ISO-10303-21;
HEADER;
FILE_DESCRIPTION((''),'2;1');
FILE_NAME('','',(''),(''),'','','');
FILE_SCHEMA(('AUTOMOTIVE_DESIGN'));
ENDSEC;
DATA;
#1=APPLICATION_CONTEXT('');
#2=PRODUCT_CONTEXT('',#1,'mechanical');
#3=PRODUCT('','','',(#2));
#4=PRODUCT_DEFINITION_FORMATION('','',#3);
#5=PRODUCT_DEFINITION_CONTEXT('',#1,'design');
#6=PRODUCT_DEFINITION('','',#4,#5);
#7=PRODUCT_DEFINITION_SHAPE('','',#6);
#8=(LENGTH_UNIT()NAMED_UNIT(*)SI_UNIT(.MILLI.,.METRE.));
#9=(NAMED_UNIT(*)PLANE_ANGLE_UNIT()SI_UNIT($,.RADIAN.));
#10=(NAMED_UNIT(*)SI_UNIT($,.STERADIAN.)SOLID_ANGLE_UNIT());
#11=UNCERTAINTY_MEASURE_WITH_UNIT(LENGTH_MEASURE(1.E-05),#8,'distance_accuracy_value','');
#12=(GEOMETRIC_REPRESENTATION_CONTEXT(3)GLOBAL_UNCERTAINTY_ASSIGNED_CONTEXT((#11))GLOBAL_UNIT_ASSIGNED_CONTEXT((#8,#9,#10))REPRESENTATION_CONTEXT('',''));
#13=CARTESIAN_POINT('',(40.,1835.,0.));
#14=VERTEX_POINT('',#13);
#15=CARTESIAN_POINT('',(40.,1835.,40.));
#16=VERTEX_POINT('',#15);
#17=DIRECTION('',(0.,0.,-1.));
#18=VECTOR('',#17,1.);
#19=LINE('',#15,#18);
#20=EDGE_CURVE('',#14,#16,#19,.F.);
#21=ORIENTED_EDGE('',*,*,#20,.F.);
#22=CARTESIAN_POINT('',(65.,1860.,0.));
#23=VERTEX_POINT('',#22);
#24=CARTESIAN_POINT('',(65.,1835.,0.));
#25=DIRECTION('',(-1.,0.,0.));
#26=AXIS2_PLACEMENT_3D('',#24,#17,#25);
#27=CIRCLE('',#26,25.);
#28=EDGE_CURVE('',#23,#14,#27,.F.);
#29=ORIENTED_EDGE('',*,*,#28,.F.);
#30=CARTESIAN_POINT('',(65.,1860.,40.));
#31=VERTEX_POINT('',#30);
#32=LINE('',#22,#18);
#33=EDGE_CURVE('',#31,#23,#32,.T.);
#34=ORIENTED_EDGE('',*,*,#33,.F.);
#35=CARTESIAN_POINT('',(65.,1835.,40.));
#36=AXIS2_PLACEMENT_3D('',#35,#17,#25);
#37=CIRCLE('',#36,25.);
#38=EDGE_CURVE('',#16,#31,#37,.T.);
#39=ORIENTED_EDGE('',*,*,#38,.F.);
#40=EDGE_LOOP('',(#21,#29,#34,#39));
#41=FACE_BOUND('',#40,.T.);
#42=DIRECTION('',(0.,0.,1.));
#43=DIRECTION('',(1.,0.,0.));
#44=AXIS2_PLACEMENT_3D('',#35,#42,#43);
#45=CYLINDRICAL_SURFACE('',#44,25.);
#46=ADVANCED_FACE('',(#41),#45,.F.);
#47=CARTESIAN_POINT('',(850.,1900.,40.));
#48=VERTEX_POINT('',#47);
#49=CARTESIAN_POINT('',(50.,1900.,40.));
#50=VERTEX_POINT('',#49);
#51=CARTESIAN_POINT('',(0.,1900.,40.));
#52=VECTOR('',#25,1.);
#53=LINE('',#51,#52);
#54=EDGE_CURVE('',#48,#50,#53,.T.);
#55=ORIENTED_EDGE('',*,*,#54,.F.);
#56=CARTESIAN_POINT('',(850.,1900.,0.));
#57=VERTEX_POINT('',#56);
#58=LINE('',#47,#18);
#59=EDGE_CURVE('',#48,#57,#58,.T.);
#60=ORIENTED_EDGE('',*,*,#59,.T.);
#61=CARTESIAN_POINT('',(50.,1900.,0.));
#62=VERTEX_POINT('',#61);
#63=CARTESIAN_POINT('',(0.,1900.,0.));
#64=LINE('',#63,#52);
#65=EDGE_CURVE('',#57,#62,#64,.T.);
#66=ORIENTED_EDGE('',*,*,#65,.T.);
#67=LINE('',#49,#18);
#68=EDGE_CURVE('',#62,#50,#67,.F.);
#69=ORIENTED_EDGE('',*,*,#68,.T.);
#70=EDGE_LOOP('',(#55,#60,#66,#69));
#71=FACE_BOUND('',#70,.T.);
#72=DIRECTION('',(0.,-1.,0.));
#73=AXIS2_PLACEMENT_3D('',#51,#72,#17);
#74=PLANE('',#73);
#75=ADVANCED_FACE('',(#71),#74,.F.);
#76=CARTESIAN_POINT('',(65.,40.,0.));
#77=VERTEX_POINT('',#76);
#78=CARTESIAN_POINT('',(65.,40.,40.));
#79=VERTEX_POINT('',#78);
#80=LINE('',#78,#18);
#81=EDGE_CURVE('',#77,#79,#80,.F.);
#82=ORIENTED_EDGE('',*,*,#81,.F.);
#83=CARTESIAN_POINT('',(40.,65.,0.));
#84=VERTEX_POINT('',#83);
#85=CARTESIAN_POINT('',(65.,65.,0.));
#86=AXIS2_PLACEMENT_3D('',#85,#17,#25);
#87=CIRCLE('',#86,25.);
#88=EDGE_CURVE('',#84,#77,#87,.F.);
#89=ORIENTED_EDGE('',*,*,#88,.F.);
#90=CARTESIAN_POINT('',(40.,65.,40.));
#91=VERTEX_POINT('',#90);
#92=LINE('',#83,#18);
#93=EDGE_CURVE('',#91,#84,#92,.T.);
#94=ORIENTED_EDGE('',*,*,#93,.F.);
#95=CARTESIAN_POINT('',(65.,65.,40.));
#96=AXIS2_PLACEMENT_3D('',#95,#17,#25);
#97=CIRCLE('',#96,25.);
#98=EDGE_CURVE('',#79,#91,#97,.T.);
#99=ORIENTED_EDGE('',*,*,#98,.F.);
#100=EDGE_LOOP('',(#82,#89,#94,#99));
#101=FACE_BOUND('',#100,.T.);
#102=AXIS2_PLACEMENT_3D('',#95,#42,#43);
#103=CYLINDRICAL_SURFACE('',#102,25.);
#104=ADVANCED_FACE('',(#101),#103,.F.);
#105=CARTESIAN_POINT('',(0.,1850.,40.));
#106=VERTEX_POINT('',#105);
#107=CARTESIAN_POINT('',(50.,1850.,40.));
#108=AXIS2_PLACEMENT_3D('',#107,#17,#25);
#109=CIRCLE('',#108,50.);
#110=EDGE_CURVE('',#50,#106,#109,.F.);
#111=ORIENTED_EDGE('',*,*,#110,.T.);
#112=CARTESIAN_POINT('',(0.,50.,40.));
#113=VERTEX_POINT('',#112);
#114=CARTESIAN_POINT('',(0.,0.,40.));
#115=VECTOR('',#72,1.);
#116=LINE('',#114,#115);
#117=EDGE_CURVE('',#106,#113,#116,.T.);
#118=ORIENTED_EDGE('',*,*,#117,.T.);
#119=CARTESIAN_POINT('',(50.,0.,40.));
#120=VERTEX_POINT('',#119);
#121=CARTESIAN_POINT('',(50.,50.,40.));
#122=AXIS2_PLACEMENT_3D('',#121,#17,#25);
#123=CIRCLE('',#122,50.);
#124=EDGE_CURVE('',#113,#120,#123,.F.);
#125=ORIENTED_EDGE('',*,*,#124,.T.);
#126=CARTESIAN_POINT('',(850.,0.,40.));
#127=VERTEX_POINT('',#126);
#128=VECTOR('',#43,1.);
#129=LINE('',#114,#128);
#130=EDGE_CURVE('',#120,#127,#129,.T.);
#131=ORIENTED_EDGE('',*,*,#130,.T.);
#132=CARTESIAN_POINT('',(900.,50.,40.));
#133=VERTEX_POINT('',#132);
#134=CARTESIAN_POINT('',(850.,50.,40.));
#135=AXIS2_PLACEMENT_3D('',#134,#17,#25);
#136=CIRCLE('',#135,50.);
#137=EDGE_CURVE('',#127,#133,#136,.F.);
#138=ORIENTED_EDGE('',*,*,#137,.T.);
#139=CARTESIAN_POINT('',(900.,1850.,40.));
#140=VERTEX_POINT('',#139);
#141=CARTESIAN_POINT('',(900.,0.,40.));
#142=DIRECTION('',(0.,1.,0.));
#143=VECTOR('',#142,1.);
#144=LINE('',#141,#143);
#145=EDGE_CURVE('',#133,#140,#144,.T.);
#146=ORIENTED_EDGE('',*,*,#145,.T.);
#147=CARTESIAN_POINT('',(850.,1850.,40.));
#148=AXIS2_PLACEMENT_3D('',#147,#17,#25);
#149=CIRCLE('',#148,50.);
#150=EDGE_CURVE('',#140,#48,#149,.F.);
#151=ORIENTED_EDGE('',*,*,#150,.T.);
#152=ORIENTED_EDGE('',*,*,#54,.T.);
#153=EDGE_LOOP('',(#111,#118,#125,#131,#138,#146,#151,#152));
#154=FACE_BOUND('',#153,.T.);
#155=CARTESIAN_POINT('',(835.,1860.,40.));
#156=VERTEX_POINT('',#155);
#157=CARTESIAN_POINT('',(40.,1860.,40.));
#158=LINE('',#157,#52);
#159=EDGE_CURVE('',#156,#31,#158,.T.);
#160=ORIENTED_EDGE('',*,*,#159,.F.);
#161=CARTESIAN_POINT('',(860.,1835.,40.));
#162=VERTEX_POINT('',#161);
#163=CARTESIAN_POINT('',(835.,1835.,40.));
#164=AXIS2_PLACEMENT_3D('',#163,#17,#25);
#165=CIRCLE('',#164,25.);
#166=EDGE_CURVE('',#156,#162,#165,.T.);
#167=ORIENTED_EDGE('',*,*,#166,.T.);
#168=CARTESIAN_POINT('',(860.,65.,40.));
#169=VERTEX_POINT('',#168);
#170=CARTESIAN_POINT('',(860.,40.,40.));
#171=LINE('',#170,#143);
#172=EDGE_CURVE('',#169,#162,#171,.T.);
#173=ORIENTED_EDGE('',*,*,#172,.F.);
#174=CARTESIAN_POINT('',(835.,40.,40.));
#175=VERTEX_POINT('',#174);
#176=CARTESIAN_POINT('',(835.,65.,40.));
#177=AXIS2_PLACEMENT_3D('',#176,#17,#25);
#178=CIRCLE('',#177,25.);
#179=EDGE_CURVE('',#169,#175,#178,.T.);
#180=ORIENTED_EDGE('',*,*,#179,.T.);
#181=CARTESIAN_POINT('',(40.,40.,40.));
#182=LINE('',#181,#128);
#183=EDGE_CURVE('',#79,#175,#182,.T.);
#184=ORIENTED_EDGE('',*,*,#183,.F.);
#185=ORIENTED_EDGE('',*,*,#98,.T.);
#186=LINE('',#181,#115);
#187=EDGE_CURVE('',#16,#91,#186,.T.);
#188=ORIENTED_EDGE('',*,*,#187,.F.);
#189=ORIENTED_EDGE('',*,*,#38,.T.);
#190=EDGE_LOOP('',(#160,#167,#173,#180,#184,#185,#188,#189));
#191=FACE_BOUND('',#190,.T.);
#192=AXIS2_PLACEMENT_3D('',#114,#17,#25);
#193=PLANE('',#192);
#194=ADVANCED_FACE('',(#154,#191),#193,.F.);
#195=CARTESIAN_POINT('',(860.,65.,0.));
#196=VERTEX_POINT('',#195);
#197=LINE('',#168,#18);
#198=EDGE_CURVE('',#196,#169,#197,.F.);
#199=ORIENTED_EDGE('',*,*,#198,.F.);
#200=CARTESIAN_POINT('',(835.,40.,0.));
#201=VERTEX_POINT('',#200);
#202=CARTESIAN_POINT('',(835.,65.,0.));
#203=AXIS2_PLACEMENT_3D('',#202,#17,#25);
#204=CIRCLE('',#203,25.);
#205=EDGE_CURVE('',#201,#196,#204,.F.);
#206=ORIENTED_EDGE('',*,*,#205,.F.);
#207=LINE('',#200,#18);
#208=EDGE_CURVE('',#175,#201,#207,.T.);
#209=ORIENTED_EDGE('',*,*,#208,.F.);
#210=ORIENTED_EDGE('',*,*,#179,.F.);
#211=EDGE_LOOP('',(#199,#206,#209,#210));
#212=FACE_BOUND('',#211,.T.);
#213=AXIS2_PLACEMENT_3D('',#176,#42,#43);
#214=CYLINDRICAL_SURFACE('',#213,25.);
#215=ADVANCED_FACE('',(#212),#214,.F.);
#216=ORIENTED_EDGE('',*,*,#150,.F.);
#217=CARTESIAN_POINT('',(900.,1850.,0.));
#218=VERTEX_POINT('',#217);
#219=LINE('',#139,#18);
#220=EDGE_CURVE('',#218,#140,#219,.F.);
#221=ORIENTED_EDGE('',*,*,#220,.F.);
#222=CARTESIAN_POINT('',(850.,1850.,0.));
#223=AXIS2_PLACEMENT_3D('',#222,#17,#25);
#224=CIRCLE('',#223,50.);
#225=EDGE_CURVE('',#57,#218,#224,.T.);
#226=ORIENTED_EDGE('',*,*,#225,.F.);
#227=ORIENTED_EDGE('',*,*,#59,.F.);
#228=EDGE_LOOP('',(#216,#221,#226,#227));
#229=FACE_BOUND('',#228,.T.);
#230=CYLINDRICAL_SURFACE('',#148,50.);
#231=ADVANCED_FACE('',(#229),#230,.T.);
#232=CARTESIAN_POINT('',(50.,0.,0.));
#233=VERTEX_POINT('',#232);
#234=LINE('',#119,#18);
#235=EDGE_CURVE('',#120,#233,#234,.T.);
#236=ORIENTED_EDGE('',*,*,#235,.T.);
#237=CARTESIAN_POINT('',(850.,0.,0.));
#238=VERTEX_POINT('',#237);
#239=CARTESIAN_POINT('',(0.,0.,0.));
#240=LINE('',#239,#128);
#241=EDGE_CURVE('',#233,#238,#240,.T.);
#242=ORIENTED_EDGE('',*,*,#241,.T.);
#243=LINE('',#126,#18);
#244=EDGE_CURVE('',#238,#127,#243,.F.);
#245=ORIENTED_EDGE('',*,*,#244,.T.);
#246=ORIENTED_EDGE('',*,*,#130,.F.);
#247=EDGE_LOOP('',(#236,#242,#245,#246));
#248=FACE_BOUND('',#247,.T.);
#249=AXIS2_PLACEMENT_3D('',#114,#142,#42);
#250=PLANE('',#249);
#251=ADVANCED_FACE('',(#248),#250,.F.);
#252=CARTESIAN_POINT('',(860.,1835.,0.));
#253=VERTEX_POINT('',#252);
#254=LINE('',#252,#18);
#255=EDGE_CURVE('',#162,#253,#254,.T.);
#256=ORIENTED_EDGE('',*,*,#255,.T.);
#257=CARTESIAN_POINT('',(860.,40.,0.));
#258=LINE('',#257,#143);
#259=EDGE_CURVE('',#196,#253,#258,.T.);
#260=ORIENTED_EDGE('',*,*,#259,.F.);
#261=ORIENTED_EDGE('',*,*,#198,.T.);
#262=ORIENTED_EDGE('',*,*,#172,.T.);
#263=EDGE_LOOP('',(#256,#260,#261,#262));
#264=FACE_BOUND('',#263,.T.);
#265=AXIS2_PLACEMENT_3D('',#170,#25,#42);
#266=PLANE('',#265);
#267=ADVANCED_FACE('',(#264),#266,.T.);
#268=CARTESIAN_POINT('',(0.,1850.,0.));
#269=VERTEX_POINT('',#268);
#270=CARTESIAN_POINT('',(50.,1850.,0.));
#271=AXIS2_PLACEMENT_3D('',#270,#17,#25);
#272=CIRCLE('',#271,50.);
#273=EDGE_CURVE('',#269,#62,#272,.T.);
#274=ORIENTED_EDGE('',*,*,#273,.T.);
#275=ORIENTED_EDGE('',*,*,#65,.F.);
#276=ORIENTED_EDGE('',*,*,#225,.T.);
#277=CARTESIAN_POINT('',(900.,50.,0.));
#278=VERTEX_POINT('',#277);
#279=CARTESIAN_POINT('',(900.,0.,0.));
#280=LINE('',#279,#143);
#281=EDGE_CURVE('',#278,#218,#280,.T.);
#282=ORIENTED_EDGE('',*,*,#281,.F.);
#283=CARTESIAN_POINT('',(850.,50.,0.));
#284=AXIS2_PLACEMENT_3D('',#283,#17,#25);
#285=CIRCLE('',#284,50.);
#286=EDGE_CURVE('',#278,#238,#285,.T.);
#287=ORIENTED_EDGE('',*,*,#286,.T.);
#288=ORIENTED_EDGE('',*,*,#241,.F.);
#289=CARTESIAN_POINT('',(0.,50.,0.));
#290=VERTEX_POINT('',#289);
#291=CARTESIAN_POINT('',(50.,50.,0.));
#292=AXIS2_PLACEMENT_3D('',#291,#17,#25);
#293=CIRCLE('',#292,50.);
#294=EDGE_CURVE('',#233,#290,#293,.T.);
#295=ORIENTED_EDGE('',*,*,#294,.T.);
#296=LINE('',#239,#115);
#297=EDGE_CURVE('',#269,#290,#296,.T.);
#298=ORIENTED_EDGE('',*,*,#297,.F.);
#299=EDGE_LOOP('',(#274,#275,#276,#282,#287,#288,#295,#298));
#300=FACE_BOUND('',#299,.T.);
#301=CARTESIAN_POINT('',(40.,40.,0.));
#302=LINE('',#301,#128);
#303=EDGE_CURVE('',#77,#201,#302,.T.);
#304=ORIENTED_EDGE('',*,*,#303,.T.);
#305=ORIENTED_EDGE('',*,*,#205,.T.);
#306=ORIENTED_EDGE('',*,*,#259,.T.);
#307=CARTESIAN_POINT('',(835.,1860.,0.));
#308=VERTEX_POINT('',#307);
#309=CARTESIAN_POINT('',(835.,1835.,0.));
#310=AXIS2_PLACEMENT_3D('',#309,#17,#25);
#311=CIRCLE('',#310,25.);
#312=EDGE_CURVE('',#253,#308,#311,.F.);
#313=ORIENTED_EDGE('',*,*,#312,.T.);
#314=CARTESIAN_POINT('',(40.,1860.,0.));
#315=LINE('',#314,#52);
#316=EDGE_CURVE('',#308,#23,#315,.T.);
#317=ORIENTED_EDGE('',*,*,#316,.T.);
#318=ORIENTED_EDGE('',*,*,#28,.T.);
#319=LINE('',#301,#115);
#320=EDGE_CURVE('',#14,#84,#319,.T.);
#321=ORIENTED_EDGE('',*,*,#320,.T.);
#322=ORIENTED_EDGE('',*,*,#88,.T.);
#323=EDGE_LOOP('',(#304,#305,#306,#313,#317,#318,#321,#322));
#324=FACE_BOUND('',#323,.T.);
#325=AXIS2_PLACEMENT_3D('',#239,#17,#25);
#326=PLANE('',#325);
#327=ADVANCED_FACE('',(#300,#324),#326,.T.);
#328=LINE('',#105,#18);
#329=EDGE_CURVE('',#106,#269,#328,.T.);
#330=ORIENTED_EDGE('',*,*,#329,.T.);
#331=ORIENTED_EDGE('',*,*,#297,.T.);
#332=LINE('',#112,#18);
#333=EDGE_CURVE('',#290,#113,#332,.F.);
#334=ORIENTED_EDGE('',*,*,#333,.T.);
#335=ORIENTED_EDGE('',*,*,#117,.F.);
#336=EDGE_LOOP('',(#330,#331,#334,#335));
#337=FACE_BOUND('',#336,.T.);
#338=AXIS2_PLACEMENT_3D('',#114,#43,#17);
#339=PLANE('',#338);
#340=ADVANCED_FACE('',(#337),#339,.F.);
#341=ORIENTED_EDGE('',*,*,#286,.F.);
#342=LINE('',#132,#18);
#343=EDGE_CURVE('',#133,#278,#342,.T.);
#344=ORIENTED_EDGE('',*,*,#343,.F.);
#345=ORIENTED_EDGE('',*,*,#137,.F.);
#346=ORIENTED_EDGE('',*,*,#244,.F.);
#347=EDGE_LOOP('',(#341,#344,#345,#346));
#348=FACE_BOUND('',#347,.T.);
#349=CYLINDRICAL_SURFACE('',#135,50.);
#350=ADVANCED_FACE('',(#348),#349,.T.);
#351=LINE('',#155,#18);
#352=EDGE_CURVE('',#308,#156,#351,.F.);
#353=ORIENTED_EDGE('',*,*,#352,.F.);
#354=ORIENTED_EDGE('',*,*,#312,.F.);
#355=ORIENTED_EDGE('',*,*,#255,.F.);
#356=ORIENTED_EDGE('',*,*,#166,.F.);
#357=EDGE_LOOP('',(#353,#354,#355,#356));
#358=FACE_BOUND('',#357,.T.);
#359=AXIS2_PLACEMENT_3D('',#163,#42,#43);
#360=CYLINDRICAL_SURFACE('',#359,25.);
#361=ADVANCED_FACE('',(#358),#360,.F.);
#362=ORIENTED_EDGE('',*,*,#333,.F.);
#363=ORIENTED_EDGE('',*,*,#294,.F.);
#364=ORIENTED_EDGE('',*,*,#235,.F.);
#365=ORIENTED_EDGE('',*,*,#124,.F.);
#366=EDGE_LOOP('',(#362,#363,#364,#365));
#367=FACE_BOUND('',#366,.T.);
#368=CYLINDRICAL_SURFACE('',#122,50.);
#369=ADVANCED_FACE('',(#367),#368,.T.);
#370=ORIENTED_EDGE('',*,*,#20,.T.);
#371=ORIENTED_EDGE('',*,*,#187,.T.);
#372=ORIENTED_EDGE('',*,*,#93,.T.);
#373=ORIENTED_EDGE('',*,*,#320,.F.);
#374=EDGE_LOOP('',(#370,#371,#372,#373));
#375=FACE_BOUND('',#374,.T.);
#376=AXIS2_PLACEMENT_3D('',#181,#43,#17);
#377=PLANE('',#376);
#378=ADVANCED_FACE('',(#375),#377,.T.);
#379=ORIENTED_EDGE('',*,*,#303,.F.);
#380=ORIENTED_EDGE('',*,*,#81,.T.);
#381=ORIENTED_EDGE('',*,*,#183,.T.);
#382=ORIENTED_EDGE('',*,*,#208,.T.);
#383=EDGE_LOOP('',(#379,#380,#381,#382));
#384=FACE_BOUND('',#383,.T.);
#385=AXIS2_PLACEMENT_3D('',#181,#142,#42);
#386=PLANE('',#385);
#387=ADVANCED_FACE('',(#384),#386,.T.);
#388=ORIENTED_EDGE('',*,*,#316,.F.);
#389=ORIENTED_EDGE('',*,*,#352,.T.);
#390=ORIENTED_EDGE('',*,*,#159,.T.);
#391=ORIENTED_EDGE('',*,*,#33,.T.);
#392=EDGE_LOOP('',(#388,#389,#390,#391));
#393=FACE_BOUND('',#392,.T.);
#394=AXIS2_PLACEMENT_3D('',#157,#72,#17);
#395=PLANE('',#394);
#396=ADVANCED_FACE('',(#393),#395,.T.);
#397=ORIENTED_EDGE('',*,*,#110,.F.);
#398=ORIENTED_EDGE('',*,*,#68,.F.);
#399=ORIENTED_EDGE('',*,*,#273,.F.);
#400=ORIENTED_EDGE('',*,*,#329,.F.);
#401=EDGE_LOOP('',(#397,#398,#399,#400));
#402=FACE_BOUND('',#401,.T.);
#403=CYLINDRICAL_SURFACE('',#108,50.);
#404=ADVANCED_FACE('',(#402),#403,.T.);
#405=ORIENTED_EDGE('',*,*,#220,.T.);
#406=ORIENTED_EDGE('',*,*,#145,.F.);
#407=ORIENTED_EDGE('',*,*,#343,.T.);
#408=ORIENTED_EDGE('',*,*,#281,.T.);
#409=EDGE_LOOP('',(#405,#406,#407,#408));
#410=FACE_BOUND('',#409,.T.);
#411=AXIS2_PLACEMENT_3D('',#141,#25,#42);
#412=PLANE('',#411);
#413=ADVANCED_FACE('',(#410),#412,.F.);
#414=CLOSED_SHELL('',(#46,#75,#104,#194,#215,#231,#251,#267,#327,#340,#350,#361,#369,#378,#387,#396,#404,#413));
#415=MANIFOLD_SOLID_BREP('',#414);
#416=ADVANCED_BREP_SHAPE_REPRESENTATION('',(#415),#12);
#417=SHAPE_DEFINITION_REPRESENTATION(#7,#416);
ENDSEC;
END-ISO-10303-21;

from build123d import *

# Parameters (mm, degrees)
ESQUISSE1_W        = 900
ESQUISSE1_H        = 1900
ESQUISSE1_W_2      = 820
ESQUISSE1_H_2      = 1820
BOSS_EXTRU_1_DEPTH = 40
CONG_1_R           = 50
CONG_2_R           = 25


with BuildPart() as part:
    # Esquisse1 → Boss.-Extru.1 (new body)
    with BuildSketch(Plane.XY):
        with Locations((450, 950)):
            Rectangle(ESQUISSE1_W, ESQUISSE1_H)
        with Locations((450, 950)):
            Rectangle(ESQUISSE1_W_2, ESQUISSE1_H_2, mode=Mode.SUBTRACT)
    extrude(amount=BOSS_EXTRU_1_DEPTH)

    # Congé1
    cong_1_edges = [part.edges().sort_by_distance(p)[0] for p in [
        (0, 1900, 20),
        (900, 1900, 20),
        (900, 0, 20),
        (0, 0, 20),
    ]]
    fillet(cong_1_edges, radius=CONG_1_R)

    # Congé2
    cong_2_edges = [part.edges().sort_by_distance(p)[0] for p in [
        (40, 1860, 20),
        (40, 40, 20),
        (860, 40, 20),
        (860, 1860, 20),
    ]]
    fillet(cong_2_edges, radius=CONG_2_R)


solid = part.part
